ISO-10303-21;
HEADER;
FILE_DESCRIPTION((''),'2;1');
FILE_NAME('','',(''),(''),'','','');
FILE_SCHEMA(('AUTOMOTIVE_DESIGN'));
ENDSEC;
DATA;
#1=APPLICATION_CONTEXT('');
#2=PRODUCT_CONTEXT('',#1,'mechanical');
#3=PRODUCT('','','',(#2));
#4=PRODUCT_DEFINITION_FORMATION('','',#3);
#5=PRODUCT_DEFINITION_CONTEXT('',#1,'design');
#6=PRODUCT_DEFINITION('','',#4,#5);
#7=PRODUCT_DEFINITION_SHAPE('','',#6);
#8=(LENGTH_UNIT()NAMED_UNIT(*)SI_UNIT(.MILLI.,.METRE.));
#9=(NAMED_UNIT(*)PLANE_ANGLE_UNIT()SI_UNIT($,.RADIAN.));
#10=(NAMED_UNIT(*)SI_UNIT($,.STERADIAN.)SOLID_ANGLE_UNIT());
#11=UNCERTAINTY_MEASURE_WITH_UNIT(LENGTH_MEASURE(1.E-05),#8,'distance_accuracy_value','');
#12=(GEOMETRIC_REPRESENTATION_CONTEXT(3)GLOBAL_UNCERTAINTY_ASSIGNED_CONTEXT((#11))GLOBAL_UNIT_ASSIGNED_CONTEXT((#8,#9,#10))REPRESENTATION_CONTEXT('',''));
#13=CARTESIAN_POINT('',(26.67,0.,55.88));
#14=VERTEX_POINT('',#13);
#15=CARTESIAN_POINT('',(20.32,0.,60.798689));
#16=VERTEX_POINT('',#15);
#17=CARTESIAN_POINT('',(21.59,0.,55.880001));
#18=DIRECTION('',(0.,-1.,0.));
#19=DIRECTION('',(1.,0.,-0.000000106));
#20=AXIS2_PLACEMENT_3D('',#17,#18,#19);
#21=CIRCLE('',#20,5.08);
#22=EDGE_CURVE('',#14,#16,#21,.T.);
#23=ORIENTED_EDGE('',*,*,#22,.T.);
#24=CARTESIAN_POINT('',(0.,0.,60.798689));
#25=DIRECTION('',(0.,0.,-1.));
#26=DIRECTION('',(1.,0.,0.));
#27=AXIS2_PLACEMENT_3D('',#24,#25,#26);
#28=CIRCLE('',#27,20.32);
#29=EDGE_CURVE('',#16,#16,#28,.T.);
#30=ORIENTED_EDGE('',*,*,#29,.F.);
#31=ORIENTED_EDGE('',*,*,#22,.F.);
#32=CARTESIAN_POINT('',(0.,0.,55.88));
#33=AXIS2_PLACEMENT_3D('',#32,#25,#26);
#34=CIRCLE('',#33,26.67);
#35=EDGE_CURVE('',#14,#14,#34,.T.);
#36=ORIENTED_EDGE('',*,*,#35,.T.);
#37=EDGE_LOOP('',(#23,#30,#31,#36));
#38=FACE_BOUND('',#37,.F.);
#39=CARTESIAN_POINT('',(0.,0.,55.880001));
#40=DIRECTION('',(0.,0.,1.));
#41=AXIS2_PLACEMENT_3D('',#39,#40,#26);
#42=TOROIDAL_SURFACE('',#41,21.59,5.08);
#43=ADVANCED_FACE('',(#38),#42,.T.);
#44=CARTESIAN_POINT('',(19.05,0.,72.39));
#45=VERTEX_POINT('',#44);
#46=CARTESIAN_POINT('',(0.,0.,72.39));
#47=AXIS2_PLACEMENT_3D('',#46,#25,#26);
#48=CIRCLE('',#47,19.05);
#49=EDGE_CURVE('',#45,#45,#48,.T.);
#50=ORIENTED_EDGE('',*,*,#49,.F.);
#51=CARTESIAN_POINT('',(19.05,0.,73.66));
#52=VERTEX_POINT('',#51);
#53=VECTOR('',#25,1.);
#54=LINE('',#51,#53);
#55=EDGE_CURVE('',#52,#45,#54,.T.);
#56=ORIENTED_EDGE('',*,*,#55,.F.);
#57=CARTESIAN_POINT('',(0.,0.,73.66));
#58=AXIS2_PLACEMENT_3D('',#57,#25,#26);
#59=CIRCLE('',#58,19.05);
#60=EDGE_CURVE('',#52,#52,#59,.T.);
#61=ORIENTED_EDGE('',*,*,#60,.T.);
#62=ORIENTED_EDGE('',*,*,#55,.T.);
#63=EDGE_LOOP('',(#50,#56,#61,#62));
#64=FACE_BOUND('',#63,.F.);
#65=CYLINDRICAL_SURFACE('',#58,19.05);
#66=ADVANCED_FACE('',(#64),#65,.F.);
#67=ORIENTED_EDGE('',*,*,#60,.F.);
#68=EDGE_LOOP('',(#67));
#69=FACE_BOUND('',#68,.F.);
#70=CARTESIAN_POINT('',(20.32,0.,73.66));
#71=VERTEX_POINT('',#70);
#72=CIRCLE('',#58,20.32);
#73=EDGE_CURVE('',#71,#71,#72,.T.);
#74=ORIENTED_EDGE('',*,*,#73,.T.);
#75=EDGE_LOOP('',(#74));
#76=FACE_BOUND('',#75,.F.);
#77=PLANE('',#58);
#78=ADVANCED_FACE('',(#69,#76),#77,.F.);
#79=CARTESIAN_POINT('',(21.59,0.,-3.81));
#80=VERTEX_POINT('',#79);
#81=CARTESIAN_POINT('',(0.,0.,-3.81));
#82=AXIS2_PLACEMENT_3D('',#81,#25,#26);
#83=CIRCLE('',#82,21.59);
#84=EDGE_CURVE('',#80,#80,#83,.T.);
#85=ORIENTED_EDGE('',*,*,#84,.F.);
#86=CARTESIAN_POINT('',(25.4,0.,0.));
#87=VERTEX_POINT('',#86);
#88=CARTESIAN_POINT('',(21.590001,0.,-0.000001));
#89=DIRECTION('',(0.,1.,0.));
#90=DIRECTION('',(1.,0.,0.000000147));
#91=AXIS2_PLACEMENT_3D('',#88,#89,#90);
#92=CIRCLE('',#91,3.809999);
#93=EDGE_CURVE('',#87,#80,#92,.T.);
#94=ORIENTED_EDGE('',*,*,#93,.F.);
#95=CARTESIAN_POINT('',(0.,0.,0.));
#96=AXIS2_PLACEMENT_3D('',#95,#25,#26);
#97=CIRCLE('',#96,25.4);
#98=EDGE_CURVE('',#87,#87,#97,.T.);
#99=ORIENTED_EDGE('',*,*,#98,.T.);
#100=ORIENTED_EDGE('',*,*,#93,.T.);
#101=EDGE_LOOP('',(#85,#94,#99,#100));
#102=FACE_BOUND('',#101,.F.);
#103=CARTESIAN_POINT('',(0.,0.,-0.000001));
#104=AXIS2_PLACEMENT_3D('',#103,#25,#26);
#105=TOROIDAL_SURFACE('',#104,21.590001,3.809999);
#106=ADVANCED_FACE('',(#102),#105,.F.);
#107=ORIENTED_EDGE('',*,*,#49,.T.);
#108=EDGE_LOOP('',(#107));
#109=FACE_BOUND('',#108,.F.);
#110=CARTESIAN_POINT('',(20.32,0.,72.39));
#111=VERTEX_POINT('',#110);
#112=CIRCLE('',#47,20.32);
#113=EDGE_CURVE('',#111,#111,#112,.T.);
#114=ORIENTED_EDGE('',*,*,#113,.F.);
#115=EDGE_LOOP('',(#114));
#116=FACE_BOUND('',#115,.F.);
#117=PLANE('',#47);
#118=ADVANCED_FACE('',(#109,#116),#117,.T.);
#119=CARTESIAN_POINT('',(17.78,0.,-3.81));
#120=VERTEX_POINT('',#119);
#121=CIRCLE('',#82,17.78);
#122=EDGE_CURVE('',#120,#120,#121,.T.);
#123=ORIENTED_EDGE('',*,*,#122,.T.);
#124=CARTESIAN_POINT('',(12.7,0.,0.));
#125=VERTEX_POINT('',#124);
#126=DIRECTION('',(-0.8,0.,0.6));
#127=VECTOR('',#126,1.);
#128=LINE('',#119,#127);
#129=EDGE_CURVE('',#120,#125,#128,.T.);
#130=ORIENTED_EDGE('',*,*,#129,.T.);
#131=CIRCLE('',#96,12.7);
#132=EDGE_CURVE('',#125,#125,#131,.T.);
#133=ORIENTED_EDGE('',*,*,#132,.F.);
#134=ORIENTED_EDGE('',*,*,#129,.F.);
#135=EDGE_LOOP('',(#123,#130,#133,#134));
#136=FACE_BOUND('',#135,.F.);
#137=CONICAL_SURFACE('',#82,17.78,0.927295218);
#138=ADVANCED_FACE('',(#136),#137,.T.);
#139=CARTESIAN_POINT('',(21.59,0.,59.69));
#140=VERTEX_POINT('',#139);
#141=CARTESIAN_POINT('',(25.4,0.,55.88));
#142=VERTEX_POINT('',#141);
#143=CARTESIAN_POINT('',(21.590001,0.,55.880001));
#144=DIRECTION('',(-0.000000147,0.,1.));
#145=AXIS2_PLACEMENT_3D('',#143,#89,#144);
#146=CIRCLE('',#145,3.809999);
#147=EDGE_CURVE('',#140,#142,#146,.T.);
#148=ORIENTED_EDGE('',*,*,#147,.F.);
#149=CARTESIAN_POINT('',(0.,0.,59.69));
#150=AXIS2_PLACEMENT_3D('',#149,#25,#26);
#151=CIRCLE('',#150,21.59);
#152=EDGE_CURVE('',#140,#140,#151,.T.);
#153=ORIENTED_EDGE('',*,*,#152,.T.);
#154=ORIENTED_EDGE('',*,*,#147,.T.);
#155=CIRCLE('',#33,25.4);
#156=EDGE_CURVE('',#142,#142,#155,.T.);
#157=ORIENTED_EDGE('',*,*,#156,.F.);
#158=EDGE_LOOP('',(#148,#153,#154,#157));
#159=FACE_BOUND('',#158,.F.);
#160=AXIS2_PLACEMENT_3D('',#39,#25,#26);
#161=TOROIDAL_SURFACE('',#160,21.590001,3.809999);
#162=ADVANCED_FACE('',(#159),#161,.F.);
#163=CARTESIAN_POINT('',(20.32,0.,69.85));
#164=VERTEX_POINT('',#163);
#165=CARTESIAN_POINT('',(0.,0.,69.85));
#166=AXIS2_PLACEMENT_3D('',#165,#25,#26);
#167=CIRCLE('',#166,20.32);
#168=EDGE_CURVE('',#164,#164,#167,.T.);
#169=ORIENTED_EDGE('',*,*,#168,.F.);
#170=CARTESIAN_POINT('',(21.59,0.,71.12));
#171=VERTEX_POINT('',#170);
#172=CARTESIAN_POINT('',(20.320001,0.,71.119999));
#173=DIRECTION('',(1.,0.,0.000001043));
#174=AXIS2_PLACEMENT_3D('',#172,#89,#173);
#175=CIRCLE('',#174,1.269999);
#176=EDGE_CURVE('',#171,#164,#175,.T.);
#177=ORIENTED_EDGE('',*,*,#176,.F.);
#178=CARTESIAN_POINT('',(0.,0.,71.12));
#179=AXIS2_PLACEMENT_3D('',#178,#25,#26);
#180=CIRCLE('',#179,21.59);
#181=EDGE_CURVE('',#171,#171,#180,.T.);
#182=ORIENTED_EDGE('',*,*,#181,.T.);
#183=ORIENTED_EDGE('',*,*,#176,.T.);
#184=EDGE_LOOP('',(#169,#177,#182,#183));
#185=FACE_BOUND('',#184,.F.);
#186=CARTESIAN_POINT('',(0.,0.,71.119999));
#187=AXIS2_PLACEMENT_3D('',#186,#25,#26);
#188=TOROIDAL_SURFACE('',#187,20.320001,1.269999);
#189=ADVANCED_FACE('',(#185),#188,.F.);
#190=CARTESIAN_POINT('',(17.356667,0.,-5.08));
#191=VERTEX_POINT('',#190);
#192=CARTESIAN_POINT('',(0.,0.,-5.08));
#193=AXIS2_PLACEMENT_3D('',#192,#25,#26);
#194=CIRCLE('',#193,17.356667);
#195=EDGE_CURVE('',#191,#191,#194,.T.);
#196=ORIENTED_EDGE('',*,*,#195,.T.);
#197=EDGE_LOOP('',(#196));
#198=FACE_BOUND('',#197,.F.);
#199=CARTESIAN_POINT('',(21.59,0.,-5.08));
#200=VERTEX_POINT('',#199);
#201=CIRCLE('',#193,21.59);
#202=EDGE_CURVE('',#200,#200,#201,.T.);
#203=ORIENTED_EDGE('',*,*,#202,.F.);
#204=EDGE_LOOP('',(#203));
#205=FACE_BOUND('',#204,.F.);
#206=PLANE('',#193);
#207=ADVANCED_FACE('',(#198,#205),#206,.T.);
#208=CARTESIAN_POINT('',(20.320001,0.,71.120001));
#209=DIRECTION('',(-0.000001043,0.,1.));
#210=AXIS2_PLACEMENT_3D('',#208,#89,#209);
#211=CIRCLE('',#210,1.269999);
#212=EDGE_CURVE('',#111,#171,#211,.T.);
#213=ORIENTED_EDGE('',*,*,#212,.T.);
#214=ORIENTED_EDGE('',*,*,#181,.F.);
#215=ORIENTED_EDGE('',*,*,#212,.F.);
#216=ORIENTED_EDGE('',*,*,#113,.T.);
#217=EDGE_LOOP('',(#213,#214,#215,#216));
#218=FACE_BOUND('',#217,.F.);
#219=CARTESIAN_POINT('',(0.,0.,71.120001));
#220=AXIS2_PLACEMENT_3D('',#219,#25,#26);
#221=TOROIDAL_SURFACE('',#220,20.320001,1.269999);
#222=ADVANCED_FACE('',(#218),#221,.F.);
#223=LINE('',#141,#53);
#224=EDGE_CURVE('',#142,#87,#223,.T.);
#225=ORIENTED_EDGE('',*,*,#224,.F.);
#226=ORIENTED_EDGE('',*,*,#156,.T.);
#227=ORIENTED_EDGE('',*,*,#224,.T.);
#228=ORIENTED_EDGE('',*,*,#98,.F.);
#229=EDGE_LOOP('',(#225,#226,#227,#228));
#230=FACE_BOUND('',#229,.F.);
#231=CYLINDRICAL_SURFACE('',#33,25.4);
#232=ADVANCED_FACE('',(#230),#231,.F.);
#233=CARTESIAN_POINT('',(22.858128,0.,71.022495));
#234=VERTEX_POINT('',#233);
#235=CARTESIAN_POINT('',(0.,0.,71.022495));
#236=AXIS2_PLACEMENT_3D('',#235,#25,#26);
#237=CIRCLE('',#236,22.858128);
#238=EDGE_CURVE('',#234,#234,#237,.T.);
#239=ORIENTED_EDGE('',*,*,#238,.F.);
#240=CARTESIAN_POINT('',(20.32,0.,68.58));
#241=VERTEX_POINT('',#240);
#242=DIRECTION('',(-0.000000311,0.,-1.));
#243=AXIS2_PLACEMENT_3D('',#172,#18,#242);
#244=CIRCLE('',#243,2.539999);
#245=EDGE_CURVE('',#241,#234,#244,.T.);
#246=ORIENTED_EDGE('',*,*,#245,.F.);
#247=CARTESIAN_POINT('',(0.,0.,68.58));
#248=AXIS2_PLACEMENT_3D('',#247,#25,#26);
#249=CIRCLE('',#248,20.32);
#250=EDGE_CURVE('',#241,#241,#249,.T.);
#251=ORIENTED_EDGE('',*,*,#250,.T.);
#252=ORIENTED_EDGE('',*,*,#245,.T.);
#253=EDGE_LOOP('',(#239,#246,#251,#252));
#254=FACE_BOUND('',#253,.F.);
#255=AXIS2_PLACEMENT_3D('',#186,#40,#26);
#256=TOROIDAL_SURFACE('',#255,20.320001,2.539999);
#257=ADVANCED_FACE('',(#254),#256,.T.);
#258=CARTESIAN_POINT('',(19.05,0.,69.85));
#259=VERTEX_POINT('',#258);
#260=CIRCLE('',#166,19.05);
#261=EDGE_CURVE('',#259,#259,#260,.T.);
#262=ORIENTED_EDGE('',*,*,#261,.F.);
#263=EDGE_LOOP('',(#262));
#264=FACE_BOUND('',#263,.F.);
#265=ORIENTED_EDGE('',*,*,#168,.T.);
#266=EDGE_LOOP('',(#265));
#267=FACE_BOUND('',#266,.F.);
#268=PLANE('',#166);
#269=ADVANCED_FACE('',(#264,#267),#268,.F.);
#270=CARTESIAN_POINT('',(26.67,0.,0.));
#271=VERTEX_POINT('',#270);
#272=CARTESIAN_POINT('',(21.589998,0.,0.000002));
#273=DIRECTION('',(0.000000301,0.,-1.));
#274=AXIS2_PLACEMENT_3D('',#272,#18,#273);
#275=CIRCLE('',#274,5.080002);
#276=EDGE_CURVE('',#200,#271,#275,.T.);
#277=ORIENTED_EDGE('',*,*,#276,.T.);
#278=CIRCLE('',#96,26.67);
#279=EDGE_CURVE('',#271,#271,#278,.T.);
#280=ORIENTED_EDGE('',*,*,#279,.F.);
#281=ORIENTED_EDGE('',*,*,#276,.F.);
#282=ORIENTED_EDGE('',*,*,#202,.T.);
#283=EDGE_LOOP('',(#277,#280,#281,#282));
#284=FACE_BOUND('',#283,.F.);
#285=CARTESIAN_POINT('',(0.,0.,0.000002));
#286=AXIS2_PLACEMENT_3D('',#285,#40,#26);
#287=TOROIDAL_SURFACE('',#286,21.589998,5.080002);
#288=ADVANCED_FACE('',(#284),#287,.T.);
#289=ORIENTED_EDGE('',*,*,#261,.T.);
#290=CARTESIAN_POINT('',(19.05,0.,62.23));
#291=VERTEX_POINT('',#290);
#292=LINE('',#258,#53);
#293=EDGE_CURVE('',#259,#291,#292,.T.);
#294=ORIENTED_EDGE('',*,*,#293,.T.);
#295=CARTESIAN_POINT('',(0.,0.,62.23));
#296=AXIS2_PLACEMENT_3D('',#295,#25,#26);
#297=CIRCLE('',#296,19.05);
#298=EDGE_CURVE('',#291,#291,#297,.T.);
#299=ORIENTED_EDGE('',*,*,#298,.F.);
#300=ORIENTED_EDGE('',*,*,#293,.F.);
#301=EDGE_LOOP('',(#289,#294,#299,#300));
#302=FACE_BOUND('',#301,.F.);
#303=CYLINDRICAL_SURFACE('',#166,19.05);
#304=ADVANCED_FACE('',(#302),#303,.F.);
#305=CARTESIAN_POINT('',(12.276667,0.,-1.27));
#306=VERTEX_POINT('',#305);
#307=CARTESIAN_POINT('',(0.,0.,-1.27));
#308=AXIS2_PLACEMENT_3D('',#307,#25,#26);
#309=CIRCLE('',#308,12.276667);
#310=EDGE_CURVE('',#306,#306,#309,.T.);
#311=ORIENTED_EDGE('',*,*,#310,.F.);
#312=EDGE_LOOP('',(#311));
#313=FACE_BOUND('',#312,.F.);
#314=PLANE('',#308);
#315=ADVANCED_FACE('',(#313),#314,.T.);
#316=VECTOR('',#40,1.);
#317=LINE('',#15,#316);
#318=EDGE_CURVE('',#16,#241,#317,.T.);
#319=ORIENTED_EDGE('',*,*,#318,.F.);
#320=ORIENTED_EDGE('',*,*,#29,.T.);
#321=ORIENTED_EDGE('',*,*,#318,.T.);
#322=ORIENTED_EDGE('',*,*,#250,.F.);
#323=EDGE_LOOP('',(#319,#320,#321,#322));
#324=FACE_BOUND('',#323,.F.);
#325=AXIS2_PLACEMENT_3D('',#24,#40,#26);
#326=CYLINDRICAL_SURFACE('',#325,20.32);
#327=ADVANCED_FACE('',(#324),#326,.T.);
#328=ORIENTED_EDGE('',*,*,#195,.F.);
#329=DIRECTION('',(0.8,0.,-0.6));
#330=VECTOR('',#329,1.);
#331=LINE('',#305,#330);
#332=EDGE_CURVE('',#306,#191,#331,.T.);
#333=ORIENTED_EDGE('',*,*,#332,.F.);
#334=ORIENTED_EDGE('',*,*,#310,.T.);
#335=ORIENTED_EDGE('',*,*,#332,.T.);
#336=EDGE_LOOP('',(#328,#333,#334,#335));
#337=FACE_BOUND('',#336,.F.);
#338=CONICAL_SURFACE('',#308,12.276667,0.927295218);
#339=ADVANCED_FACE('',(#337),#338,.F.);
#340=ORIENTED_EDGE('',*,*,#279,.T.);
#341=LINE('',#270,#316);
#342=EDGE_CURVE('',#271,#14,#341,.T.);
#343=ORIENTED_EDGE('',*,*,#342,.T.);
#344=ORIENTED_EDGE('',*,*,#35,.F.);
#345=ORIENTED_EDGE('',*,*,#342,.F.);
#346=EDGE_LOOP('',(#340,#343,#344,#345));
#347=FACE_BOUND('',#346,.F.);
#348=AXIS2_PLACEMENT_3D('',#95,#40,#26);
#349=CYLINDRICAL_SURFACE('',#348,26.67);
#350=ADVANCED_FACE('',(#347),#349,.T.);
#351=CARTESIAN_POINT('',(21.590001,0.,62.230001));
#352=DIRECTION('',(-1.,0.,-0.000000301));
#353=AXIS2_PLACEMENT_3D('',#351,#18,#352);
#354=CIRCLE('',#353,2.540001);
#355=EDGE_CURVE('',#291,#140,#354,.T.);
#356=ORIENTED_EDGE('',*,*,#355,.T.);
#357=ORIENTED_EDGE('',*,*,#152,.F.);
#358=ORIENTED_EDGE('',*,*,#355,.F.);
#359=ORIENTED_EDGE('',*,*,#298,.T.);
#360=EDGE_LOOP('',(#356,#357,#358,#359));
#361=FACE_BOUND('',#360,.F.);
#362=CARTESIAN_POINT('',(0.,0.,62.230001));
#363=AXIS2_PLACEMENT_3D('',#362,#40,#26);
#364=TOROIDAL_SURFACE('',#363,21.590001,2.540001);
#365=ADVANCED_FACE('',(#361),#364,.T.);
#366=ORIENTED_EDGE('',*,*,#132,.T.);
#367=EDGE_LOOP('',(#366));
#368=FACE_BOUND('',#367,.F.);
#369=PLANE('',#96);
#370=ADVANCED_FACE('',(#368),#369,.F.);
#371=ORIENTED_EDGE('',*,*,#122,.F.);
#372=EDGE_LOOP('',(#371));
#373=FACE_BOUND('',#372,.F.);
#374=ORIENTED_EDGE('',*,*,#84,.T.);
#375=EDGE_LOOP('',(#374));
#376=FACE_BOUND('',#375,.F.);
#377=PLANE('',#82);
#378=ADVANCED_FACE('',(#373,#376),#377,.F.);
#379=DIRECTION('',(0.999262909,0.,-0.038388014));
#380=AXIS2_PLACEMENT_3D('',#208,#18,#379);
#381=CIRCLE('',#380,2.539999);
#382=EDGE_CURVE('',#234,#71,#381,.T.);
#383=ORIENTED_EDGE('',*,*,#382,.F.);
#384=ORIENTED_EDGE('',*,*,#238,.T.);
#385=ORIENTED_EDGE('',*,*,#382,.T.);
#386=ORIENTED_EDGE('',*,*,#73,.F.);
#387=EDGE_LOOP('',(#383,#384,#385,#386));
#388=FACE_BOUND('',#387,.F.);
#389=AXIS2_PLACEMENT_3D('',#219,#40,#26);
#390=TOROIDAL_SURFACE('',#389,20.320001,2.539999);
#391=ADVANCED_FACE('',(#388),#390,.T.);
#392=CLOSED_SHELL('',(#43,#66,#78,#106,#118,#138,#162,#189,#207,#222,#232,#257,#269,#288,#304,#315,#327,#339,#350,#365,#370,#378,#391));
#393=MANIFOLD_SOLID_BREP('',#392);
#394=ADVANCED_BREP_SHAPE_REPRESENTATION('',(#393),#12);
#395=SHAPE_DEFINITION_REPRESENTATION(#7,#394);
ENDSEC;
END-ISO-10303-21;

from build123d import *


with BuildPart() as f1:
    # F0 (on Front) → F1 (revolve)
    with BuildSketch(Plane.XZ):
        with BuildLine():
            Line((12.7, 0), (0, 0))
            Line((0, 0), (0, -1.27))
            Line((0, -1.27), (12.276667, -1.27))
            Line((12.276667, -1.27), (17.356667, -5.08))
            Line((17.356667, -5.08), (21.59, -5.08))
            ThreePointArc((21.59, -5.08), (25.182102, -3.592102), (26.67, 0))
            Line((26.67, 0), (26.67, 55.88))
            ThreePointArc((26.67, 55.88), (24.700852, 59.896093), (20.32, 60.798689))
            Line((20.32, 60.798689), (20.32, 68.58))
            ThreePointArc((20.32, 68.58), (22.081241, 69.2898), (22.858128, 71.022495))
            ThreePointArc((22.858128, 71.022495), (22.1502, 72.881241), (20.32, 73.66))
            Line((20.32, 73.66), (19.05, 73.66))
            Line((19.05, 73.66), (19.05, 72.39))
            Line((19.05, 72.39), (20.32, 72.39))
            ThreePointArc((20.32, 72.39), (21.218026, 72.018026), (21.59, 71.12))
            ThreePointArc((21.59, 71.12), (21.218026, 70.221974), (20.32, 69.85))
            Line((20.32, 69.85), (19.05, 69.85))
            Line((19.05, 69.85), (19.05, 62.23))
            ThreePointArc((19.05, 62.23), (19.793949, 60.433949), (21.59, 59.69))
            ThreePointArc((21.59, 59.69), (24.284077, 58.574077), (25.4, 55.88))
            Line((25.4, 55.88), (25.4, 0))
            ThreePointArc((25.4, 0), (24.284077, -2.694077), (21.59, -3.81))
            Line((21.59, -3.81), (17.78, -3.81))
            Line((17.78, -3.81), (12.7, 0))
        make_face()
    revolve(axis=Axis((0, 0, -27.950629), (0, 0, -1)))


solid = f1.part
